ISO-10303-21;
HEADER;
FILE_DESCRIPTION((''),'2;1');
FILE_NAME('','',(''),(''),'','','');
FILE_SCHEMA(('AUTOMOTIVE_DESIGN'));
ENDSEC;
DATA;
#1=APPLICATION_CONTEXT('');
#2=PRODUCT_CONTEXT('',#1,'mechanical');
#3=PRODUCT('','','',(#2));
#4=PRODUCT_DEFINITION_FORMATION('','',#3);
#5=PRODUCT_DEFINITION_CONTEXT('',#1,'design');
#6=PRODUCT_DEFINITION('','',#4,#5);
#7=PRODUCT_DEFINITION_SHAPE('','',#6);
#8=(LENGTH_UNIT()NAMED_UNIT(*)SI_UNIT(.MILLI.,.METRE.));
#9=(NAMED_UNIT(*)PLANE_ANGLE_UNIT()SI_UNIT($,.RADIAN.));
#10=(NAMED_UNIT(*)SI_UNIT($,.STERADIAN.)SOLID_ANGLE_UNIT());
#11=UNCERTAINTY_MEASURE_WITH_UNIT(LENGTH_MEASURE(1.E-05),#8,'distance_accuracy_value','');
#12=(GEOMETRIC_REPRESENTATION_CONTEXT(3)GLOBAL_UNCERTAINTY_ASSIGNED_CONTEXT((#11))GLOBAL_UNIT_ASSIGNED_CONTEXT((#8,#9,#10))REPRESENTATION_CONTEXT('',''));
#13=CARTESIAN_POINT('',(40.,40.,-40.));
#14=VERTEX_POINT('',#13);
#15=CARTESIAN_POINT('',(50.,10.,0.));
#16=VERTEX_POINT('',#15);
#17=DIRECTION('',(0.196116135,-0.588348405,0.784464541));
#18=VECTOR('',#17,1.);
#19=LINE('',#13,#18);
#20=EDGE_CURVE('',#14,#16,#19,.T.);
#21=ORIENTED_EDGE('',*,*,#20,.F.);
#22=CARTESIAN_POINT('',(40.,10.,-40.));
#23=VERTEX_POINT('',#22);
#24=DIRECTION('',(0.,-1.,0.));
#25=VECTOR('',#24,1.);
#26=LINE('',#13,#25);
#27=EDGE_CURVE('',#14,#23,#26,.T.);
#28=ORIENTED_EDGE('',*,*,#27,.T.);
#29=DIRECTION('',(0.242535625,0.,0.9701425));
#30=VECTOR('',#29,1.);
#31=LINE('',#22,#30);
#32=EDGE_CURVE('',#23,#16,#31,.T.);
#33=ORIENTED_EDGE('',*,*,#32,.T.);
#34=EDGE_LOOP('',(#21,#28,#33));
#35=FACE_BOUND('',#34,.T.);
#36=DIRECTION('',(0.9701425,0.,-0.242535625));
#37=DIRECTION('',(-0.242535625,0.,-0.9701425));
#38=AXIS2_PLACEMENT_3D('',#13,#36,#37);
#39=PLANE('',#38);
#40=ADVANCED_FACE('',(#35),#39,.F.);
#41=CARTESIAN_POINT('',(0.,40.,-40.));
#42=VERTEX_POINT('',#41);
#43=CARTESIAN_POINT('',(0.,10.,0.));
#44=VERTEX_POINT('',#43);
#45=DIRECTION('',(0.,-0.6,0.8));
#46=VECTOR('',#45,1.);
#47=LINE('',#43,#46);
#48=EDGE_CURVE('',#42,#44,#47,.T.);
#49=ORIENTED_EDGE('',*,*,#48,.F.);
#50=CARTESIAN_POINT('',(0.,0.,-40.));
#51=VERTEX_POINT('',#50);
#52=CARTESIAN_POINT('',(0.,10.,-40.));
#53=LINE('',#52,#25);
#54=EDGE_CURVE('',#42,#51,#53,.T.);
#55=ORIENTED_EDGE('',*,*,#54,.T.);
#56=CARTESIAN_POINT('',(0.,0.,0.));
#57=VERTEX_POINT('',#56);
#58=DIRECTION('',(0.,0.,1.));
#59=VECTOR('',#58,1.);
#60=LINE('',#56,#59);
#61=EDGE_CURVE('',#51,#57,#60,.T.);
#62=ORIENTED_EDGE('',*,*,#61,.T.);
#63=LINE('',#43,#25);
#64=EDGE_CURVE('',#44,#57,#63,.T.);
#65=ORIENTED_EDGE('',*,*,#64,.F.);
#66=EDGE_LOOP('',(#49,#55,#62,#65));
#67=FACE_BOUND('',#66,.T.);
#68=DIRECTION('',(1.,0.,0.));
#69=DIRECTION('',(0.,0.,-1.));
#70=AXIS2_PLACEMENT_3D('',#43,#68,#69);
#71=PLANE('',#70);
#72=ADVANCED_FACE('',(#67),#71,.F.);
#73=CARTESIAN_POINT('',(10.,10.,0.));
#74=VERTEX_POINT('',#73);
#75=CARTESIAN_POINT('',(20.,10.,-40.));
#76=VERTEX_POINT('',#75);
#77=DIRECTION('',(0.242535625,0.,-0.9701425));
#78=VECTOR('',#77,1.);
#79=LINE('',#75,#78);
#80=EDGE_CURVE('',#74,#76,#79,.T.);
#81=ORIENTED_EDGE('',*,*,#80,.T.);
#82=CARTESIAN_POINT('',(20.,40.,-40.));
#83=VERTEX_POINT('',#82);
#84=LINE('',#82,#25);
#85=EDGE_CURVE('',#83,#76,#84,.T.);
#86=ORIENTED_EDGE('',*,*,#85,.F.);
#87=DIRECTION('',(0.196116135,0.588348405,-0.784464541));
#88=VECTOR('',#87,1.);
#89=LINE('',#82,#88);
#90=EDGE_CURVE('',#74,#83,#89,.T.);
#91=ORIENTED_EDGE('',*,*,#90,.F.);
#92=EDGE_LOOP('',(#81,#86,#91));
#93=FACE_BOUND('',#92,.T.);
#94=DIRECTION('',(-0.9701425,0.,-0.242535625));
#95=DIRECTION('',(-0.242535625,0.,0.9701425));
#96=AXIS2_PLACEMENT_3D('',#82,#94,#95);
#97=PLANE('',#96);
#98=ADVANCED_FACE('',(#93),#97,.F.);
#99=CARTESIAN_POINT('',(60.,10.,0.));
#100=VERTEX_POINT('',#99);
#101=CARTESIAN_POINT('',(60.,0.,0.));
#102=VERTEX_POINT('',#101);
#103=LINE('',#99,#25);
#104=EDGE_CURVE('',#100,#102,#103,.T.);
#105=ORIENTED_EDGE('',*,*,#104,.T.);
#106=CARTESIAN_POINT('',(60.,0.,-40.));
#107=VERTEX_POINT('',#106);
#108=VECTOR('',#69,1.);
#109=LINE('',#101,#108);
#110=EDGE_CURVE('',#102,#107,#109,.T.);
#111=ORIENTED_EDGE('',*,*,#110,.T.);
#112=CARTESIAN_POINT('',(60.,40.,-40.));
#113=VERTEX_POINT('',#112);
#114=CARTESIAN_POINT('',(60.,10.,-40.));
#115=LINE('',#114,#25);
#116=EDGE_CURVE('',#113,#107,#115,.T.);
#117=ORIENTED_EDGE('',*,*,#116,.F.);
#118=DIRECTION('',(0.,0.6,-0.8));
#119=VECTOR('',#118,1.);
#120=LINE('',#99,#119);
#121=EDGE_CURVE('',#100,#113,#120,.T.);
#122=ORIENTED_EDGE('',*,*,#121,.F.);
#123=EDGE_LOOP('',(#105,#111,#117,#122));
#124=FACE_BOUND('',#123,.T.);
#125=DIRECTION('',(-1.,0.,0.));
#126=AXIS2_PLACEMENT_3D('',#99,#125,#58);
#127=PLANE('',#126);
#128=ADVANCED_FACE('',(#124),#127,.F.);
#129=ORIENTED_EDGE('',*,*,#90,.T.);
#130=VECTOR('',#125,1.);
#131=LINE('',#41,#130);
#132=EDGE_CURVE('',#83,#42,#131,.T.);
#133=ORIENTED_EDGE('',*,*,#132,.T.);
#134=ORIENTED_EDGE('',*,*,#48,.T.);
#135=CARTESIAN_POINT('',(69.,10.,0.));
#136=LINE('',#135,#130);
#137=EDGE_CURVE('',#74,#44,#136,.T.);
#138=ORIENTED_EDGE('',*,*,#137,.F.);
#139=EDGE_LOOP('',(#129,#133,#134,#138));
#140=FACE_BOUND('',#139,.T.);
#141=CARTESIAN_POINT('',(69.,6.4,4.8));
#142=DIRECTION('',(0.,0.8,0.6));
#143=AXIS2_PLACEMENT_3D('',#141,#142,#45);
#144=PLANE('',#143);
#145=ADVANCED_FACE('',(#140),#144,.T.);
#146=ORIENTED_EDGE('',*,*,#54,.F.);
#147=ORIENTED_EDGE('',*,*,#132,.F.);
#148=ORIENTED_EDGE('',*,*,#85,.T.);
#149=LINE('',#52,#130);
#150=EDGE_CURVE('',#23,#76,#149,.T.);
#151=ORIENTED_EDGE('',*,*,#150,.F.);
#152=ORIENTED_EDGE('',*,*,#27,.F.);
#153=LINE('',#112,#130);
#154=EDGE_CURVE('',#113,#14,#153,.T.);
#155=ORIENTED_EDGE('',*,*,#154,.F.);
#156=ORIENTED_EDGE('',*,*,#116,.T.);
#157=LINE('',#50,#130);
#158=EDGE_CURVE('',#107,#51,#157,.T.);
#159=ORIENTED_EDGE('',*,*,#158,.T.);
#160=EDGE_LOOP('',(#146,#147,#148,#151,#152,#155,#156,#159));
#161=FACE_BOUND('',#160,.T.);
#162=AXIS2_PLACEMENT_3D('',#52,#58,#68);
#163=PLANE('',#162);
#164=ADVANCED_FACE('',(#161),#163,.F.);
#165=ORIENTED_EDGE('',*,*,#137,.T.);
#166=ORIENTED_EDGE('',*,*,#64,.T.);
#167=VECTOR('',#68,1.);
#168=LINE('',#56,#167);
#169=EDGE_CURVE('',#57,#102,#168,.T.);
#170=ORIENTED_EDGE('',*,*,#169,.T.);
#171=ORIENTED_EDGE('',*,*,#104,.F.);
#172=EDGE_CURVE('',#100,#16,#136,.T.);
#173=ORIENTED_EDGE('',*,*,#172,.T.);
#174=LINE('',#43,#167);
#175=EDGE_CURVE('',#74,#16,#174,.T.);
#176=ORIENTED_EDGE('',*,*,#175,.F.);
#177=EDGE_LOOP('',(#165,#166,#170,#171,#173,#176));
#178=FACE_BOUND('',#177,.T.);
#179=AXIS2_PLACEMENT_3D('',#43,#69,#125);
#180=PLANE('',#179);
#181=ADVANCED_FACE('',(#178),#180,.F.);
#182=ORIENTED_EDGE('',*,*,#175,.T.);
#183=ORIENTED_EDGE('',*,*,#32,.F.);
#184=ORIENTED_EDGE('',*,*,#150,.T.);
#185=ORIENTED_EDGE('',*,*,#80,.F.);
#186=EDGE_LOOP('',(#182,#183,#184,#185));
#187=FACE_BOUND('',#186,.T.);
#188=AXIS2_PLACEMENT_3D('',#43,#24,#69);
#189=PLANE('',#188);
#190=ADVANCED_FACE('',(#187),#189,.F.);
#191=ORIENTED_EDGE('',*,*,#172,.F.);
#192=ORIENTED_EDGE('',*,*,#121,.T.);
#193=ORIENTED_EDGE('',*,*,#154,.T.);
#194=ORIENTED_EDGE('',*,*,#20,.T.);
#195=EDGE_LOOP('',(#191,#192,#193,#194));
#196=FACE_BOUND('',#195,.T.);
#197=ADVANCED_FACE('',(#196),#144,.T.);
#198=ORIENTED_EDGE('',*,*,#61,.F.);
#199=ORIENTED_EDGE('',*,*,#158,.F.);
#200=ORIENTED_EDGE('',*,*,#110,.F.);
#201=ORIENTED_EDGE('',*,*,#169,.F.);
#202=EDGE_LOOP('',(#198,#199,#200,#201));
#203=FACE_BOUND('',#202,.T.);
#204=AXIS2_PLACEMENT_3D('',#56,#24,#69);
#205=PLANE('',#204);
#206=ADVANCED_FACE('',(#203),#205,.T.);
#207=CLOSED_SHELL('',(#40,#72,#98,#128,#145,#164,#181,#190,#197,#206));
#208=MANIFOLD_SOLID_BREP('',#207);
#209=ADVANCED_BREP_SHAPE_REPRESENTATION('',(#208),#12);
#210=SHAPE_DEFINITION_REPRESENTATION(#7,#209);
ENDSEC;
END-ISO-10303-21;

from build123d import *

# Parameters (mm, degrees)
CROQUIS1_W                 = 60
CROQUIS1_H                 = 40
SALIENTE_EXTRUIR1_DEPTH    = 10
SALIENTE_EXTRUIR2_DEPTH    = 30
CORTAR_EXTRUIR1_DEPTH      = 9
CORTAR_EXTRUIR1_DEPTH_BACK = 66


with BuildPart() as part:
    # Croquis1 → Saliente-Extruir1 (new body)
    with BuildSketch(Plane(origin=(0, 0, 0), x_dir=(1, 0, 0), z_dir=(0, 1, 0))):
        with Locations((30, 20)):
            Rectangle(CROQUIS1_W, CROQUIS1_H)
    extrude(amount=SALIENTE_EXTRUIR1_DEPTH)

    # Croquis2 → Saliente-Extruir2 (add)
    with BuildSketch(Plane(origin=(0, 10, 0), x_dir=(1, 0, 0), z_dir=(0, 1, 0))):
        Polygon((0, 0), (0, 40), (20, 40), (10, 0), align=None)
        Polygon((60, 40), (40, 40), (50, 0), (60, 0), align=None)
    extrude(amount=SALIENTE_EXTRUIR2_DEPTH)

    # Croquis3 → Cortar-Extruir1 (cut, two sides)
    with BuildSketch(Plane(origin=(60, 0, 0), x_dir=(0, 0, -1), z_dir=(1, 0, 0))) as cortar_extruir1_sk:
        Polygon((0, 40), (0, 10), (40, 40), align=None)
    extrude(amount=CORTAR_EXTRUIR1_DEPTH, mode=Mode.SUBTRACT)
    extrude(cortar_extruir1_sk.sketch, amount=-CORTAR_EXTRUIR1_DEPTH_BACK, mode=Mode.SUBTRACT)


solid = part.part
